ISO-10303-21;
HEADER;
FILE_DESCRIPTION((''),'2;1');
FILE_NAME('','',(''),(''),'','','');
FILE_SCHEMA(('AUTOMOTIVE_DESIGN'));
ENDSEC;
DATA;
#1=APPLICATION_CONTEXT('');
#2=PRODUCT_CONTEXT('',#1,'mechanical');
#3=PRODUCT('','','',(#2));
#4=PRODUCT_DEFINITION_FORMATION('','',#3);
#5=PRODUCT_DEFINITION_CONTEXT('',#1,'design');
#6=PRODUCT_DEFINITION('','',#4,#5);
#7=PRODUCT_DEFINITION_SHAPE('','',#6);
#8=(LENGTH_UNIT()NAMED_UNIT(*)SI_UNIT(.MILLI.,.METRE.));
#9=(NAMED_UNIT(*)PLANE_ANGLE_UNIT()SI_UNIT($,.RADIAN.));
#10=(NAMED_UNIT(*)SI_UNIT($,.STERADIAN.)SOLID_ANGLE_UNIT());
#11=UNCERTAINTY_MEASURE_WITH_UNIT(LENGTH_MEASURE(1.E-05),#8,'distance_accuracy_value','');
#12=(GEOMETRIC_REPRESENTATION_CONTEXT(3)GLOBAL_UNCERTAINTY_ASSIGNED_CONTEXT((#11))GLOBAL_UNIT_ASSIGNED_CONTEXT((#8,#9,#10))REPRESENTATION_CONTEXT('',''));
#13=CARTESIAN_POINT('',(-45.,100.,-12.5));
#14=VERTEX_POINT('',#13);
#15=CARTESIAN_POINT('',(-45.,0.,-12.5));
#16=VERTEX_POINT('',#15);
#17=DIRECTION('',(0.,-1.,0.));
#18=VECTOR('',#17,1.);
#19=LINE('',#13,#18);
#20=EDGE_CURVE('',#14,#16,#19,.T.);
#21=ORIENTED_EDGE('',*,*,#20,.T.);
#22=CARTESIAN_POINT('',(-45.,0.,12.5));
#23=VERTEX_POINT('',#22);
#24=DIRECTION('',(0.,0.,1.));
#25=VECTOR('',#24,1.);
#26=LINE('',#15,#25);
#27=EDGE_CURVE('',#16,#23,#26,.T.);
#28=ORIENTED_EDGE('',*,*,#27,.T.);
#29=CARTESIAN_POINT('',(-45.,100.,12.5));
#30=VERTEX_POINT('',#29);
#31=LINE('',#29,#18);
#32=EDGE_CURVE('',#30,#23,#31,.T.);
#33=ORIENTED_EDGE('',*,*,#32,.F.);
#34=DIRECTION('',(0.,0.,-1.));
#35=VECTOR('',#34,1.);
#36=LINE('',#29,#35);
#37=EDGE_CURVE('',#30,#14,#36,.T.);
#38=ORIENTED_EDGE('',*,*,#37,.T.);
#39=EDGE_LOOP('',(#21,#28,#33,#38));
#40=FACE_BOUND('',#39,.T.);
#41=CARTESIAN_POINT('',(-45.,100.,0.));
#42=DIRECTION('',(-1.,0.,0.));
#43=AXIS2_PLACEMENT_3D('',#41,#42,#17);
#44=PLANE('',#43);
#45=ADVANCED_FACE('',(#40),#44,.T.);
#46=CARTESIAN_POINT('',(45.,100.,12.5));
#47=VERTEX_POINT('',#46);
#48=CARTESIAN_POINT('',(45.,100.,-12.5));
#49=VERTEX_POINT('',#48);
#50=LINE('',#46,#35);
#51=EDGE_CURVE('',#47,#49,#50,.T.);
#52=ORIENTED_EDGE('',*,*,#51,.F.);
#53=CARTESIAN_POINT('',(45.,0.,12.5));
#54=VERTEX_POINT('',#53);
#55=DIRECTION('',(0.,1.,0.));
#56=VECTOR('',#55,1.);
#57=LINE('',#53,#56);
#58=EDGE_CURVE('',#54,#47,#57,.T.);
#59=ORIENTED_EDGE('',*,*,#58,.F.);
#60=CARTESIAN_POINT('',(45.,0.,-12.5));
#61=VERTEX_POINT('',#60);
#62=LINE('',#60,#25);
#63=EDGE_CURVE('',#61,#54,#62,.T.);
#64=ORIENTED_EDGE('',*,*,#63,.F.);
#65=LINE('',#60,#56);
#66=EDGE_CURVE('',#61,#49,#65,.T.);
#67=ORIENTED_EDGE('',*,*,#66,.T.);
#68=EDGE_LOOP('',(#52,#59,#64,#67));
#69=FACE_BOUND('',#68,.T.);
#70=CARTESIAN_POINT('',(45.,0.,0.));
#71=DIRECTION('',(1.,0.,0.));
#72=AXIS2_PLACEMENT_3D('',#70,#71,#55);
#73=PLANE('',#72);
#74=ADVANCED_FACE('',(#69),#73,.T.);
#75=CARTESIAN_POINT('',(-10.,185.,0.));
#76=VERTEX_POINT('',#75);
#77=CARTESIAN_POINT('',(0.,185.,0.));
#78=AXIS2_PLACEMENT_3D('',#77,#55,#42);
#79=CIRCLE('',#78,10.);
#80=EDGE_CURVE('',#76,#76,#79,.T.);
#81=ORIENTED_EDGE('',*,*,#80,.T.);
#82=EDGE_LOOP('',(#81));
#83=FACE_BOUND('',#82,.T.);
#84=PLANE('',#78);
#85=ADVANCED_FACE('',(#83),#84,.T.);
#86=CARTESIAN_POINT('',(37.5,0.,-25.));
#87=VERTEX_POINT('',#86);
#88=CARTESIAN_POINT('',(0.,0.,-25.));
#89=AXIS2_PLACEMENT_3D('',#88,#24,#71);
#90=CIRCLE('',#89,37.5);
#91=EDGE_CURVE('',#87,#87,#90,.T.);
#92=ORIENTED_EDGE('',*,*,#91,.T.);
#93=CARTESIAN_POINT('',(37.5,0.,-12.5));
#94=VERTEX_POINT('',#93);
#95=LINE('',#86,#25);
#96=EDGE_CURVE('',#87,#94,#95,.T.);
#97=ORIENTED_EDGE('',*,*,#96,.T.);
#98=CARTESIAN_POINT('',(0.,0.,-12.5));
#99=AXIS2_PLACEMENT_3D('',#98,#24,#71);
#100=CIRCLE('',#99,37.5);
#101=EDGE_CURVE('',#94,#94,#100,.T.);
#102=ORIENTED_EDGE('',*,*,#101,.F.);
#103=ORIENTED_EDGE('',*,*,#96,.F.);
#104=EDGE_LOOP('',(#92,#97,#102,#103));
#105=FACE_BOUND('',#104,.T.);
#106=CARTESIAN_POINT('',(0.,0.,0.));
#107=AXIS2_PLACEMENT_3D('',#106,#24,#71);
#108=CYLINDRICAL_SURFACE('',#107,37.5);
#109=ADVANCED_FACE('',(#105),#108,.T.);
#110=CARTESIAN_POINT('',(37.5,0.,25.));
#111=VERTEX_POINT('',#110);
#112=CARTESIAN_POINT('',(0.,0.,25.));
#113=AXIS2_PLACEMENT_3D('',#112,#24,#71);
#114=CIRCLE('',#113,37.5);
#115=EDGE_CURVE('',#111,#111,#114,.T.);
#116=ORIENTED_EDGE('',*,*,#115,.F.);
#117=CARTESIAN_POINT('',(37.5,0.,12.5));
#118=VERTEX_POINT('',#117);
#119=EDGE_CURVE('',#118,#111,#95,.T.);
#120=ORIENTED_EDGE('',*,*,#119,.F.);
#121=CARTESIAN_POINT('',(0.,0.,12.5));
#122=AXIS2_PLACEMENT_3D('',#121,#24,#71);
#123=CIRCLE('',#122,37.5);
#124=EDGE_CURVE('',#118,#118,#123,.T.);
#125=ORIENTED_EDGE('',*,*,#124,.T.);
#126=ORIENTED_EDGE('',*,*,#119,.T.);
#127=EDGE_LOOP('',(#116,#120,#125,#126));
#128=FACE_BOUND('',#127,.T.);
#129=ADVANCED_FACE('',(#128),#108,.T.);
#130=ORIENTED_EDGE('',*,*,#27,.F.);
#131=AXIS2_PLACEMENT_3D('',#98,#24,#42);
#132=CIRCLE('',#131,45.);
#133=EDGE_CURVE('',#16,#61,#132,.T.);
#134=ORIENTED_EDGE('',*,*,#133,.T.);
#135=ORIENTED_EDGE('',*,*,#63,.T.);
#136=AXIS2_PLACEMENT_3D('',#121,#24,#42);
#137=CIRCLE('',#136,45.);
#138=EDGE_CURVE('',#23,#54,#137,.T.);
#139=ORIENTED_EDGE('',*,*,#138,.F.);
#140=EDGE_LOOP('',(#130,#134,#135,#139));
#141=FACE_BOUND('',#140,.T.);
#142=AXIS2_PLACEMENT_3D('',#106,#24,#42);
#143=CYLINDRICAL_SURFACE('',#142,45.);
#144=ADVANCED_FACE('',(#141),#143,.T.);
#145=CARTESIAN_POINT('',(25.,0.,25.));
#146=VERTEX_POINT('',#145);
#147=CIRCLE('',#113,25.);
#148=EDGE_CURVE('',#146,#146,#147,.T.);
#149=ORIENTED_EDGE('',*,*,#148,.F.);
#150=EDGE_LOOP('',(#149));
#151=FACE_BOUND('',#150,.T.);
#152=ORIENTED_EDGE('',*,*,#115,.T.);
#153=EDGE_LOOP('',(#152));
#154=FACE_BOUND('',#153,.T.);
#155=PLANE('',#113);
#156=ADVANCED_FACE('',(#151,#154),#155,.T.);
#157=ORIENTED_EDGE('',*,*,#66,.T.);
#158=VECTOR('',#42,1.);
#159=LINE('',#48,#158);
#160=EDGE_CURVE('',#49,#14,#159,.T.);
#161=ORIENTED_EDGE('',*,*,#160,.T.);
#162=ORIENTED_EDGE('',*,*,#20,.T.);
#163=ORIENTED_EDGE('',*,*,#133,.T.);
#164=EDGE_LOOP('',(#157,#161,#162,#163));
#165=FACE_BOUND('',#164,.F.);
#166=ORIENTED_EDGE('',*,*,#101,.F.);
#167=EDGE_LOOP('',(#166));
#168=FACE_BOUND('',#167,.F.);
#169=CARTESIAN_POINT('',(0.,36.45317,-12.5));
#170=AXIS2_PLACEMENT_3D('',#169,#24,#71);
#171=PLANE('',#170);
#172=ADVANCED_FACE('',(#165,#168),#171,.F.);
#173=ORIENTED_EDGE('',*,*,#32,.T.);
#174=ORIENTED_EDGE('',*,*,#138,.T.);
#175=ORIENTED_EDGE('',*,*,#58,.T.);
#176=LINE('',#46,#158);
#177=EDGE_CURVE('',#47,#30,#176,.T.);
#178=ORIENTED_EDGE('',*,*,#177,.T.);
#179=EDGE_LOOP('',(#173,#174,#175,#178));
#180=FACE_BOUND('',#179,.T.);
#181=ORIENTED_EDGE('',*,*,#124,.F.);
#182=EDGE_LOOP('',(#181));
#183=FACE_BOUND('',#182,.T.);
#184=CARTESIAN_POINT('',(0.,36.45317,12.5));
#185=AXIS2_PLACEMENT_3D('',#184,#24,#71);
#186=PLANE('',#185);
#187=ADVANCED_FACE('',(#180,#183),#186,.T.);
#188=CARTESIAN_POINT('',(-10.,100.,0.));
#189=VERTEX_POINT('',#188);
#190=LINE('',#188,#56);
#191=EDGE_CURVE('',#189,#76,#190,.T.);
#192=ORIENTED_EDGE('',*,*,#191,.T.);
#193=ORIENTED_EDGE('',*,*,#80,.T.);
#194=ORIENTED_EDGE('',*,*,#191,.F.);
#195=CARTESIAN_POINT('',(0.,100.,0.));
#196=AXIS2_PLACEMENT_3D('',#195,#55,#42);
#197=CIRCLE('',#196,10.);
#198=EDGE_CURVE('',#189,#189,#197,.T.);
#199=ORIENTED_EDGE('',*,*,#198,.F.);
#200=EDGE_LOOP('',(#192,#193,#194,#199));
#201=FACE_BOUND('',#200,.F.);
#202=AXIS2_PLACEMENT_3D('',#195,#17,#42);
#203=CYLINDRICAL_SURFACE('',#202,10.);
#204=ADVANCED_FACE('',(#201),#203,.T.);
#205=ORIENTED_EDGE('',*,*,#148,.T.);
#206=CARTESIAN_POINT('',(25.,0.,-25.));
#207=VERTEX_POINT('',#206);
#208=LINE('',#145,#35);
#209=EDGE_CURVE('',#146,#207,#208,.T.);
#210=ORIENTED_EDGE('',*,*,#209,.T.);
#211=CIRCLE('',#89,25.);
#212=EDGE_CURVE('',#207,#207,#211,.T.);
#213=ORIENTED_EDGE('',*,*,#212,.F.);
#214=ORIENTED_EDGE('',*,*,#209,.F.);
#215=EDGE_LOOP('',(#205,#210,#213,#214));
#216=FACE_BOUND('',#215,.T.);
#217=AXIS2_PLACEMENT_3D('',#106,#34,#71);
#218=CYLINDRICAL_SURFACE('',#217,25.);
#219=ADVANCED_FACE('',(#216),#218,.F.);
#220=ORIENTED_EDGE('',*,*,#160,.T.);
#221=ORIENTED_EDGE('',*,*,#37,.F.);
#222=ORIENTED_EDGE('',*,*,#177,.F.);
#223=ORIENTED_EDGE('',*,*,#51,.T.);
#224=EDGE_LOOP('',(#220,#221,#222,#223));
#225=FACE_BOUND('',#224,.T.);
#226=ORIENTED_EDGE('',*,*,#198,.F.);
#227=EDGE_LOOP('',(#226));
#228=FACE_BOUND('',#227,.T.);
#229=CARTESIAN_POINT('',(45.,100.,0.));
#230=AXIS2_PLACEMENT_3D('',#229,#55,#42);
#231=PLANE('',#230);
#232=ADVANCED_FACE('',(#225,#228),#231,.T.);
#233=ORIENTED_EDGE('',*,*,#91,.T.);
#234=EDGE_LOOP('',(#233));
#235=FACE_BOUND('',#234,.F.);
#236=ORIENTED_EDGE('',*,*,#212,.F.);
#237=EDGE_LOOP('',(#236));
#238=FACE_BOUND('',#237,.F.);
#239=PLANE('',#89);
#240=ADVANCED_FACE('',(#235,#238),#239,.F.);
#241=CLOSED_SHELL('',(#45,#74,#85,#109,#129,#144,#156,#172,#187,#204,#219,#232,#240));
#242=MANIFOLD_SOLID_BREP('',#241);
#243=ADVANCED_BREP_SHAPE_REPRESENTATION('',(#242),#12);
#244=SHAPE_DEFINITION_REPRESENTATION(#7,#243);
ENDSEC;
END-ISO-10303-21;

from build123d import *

# Parameters (mm, degrees)
F0_R     = 37.5
F0_R_2   = 25
F1_DEPTH = 25
F2_DEPTH = 12.5
F3_R     = 10
F4_DEPTH = 85


with BuildPart() as f1:
    # F0 (on Top) → F1 (new body, symmetric)
    with BuildSketch(Plane.XY):
        Circle(F0_R)
        Circle(F0_R_2, mode=Mode.SUBTRACT)
    extrude(amount=F1_DEPTH, both=True)

    # F0 (on Top) → F2 (join, symmetric)
    with BuildSketch(Plane.XY):
        with BuildLine():
            Line((-45, 100), (-45, 0))
            ThreePointArc((-45, 0), (0, -45), (45, 0))
            Line((45, 0), (45, 100))
            Line((45, 100), (-45, 100))
        make_face()
        Circle(F0_R, mode=Mode.SUBTRACT)
    extrude(amount=F2_DEPTH, both=True)

    # F3 (on face) → F4 (join)
    with BuildSketch(Plane(origin=(0, 100, 0), x_dir=(-1, 0, 0), z_dir=(0, 1, 0))):
        Circle(F3_R)
    extrude(amount=F4_DEPTH)


solid = f1.part
